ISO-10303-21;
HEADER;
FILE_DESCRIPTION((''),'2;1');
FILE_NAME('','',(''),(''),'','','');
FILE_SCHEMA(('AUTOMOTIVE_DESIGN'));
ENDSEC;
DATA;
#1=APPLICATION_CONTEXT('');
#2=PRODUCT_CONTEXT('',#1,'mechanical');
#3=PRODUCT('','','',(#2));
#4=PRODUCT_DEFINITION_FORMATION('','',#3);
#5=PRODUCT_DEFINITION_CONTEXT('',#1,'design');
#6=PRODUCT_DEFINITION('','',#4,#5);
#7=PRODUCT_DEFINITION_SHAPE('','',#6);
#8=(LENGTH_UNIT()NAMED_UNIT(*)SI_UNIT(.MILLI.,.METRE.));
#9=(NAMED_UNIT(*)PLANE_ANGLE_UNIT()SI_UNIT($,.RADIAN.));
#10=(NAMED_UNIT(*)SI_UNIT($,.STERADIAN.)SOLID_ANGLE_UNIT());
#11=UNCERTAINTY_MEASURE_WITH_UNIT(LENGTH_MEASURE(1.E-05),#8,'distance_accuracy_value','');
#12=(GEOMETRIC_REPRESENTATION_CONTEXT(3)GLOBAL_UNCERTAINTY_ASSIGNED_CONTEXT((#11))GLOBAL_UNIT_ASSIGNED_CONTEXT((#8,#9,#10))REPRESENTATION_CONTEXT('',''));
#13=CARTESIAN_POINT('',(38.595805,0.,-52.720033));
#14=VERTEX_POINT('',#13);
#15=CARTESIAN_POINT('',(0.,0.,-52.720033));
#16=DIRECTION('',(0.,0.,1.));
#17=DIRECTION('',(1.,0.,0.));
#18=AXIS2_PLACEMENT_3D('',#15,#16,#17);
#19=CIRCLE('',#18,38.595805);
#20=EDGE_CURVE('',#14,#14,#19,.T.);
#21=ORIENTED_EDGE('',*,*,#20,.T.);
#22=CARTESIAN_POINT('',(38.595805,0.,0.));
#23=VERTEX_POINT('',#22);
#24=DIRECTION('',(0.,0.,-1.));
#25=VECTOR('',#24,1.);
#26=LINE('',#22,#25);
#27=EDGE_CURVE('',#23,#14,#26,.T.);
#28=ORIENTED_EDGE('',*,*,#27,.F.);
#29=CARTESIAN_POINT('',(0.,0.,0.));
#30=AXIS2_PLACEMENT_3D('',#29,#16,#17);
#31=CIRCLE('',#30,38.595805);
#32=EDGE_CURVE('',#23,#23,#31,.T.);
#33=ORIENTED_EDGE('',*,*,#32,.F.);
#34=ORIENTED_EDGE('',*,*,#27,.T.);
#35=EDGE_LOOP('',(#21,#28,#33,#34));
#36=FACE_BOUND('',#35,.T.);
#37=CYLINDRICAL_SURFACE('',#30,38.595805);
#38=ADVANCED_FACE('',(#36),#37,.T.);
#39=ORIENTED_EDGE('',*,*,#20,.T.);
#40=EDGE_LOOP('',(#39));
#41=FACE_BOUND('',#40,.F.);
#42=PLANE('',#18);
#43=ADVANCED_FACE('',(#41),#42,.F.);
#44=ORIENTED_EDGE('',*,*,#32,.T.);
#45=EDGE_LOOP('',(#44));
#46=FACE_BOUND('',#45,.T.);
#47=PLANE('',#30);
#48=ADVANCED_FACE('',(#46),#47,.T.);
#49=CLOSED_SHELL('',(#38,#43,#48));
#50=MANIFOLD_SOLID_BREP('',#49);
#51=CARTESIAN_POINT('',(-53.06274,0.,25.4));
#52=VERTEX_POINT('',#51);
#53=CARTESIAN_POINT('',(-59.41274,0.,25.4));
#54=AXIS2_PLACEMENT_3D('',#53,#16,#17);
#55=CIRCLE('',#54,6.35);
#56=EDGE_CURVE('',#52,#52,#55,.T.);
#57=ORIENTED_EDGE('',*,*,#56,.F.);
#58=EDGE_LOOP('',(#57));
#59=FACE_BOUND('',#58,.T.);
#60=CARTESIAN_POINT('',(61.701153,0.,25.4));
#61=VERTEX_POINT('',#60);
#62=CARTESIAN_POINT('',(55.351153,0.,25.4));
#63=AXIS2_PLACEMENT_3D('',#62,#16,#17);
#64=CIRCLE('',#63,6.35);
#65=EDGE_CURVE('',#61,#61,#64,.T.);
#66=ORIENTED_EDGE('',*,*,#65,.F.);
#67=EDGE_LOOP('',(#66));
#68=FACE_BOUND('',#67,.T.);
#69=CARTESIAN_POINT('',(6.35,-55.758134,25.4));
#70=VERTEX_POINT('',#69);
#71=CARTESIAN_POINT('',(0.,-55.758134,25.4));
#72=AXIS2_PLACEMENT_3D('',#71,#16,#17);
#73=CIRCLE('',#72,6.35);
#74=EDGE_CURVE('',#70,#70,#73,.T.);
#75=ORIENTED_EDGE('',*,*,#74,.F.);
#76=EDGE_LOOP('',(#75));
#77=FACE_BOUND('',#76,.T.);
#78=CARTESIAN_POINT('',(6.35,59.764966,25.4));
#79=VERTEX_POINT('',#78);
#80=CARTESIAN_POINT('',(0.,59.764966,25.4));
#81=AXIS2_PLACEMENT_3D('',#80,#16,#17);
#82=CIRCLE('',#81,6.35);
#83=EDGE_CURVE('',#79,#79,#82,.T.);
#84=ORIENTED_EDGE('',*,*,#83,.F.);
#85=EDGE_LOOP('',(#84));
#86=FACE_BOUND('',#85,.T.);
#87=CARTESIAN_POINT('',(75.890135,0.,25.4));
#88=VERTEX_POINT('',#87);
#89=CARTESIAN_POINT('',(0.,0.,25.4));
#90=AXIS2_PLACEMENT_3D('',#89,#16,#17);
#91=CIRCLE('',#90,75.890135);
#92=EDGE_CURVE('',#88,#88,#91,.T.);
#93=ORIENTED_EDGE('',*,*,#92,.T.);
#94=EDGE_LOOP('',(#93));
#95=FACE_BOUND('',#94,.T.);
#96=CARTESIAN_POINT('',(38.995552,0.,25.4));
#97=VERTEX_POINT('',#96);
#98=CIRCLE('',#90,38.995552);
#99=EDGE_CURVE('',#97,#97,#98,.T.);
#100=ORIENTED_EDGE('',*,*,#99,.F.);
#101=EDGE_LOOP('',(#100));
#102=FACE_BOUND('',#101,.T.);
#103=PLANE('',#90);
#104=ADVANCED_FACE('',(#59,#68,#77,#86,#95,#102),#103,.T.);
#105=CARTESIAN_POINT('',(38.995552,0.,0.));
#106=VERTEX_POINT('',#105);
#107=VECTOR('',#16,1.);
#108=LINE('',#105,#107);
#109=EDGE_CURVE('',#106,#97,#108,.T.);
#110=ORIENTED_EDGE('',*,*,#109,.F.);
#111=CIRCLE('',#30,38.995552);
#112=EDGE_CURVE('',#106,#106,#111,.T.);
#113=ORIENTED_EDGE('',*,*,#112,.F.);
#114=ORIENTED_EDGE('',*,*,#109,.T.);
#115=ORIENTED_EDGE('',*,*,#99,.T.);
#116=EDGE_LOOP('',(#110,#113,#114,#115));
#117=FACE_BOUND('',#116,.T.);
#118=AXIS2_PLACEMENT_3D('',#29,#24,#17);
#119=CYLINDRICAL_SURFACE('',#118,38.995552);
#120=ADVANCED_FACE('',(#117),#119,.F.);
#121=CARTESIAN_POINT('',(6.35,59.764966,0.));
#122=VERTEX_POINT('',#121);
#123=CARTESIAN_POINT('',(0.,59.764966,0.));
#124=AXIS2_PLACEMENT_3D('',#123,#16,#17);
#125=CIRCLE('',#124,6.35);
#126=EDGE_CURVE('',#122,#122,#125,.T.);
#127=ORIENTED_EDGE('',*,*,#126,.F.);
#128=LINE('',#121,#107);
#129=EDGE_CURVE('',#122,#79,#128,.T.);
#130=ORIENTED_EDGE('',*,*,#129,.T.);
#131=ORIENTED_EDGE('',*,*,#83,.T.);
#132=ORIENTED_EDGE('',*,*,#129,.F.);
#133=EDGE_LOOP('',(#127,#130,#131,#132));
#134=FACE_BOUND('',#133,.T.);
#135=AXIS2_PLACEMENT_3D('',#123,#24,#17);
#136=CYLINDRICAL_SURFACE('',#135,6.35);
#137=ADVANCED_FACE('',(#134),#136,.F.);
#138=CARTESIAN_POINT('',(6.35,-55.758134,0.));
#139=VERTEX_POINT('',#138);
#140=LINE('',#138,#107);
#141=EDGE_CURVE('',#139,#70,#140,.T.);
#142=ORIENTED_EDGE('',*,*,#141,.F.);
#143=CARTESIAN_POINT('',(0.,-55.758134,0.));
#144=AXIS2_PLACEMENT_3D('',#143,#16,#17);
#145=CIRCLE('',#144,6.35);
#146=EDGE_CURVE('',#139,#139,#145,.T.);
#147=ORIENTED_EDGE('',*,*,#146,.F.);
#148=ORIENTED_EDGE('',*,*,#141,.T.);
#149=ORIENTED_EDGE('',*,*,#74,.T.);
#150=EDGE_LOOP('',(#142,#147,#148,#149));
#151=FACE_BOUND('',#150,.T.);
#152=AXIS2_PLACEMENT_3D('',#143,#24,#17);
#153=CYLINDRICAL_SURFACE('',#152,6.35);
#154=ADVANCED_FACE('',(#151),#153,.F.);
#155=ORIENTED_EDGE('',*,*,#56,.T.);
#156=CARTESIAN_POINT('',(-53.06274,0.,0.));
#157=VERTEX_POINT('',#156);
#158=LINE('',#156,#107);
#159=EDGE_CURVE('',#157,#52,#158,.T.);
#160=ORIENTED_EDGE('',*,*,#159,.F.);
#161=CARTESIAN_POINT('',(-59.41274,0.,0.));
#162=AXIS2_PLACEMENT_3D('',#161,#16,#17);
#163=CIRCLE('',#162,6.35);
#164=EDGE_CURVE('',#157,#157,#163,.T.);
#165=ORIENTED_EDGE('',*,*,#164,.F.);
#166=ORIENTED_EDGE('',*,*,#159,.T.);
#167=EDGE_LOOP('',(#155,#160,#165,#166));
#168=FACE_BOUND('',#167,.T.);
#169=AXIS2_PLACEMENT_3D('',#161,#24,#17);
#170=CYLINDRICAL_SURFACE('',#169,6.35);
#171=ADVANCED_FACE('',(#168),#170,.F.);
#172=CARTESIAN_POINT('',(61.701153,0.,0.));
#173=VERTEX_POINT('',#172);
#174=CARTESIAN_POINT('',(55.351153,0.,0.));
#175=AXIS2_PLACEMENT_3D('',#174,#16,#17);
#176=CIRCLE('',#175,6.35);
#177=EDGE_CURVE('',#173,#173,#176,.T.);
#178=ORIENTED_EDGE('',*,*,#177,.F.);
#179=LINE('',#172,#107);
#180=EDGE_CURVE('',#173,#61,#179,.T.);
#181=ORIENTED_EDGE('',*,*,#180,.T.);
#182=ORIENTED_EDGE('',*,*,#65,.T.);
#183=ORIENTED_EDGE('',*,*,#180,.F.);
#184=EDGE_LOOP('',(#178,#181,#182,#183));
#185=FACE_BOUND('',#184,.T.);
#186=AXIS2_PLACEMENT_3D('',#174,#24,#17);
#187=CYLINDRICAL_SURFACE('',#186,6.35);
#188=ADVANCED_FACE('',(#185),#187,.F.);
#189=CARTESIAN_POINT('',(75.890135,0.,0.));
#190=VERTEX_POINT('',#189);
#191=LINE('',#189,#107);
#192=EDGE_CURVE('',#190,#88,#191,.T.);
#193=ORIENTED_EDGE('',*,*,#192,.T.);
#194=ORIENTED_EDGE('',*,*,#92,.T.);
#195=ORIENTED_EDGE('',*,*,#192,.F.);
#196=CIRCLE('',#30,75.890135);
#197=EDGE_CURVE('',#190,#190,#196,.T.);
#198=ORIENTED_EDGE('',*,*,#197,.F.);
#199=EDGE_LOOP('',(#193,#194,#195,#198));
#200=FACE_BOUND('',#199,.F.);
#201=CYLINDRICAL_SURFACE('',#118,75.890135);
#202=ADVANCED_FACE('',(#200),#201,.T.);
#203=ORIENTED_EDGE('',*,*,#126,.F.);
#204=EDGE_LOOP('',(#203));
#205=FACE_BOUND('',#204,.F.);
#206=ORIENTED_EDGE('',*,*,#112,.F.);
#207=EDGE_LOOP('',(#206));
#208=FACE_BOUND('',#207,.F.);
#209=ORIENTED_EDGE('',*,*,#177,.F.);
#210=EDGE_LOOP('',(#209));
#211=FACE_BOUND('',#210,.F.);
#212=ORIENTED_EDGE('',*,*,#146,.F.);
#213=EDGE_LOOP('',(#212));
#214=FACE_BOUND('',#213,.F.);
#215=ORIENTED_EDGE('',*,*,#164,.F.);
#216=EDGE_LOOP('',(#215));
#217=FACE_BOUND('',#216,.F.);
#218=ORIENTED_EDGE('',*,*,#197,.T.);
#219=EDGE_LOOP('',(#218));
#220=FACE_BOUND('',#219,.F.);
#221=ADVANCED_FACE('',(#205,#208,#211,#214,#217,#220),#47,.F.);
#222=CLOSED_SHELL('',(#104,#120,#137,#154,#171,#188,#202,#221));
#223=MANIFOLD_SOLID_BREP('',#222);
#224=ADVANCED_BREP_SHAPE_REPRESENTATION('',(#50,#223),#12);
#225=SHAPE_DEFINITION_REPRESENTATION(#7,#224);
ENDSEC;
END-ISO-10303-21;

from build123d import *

# Parameters (mm, degrees)
F0_R     = 75.890135
F0_R_2   = 6.35
F0_R_3   = 38.995552
F1_DEPTH = 25.4
F2_R     = 38.595805
F3_DEPTH = 52.720033


with BuildPart() as f1:
    # F0 (on Top) → F1 (new body)
    with BuildSketch(Plane.XY):
        Circle(F0_R)
        with Locations((0, -55.758134)):
            Circle(F0_R_2, mode=Mode.SUBTRACT)
        with Locations((-59.41274, 0)):
            Circle(F0_R_2, mode=Mode.SUBTRACT)
        Circle(F0_R_3, mode=Mode.SUBTRACT)
        with Locations((55.351153, 0)):
            Circle(F0_R_2, mode=Mode.SUBTRACT)
        with Locations((0, 59.764966)):
            Circle(F0_R_2, mode=Mode.SUBTRACT)
    extrude(amount=F1_DEPTH)


with BuildPart() as f3:
    # F2 (on Top) → F3 (new body)
    with BuildSketch(Plane.XY):
        Circle(F2_R)
    extrude(amount=-F3_DEPTH)


solid = Compound([f1.part, f3.part])
